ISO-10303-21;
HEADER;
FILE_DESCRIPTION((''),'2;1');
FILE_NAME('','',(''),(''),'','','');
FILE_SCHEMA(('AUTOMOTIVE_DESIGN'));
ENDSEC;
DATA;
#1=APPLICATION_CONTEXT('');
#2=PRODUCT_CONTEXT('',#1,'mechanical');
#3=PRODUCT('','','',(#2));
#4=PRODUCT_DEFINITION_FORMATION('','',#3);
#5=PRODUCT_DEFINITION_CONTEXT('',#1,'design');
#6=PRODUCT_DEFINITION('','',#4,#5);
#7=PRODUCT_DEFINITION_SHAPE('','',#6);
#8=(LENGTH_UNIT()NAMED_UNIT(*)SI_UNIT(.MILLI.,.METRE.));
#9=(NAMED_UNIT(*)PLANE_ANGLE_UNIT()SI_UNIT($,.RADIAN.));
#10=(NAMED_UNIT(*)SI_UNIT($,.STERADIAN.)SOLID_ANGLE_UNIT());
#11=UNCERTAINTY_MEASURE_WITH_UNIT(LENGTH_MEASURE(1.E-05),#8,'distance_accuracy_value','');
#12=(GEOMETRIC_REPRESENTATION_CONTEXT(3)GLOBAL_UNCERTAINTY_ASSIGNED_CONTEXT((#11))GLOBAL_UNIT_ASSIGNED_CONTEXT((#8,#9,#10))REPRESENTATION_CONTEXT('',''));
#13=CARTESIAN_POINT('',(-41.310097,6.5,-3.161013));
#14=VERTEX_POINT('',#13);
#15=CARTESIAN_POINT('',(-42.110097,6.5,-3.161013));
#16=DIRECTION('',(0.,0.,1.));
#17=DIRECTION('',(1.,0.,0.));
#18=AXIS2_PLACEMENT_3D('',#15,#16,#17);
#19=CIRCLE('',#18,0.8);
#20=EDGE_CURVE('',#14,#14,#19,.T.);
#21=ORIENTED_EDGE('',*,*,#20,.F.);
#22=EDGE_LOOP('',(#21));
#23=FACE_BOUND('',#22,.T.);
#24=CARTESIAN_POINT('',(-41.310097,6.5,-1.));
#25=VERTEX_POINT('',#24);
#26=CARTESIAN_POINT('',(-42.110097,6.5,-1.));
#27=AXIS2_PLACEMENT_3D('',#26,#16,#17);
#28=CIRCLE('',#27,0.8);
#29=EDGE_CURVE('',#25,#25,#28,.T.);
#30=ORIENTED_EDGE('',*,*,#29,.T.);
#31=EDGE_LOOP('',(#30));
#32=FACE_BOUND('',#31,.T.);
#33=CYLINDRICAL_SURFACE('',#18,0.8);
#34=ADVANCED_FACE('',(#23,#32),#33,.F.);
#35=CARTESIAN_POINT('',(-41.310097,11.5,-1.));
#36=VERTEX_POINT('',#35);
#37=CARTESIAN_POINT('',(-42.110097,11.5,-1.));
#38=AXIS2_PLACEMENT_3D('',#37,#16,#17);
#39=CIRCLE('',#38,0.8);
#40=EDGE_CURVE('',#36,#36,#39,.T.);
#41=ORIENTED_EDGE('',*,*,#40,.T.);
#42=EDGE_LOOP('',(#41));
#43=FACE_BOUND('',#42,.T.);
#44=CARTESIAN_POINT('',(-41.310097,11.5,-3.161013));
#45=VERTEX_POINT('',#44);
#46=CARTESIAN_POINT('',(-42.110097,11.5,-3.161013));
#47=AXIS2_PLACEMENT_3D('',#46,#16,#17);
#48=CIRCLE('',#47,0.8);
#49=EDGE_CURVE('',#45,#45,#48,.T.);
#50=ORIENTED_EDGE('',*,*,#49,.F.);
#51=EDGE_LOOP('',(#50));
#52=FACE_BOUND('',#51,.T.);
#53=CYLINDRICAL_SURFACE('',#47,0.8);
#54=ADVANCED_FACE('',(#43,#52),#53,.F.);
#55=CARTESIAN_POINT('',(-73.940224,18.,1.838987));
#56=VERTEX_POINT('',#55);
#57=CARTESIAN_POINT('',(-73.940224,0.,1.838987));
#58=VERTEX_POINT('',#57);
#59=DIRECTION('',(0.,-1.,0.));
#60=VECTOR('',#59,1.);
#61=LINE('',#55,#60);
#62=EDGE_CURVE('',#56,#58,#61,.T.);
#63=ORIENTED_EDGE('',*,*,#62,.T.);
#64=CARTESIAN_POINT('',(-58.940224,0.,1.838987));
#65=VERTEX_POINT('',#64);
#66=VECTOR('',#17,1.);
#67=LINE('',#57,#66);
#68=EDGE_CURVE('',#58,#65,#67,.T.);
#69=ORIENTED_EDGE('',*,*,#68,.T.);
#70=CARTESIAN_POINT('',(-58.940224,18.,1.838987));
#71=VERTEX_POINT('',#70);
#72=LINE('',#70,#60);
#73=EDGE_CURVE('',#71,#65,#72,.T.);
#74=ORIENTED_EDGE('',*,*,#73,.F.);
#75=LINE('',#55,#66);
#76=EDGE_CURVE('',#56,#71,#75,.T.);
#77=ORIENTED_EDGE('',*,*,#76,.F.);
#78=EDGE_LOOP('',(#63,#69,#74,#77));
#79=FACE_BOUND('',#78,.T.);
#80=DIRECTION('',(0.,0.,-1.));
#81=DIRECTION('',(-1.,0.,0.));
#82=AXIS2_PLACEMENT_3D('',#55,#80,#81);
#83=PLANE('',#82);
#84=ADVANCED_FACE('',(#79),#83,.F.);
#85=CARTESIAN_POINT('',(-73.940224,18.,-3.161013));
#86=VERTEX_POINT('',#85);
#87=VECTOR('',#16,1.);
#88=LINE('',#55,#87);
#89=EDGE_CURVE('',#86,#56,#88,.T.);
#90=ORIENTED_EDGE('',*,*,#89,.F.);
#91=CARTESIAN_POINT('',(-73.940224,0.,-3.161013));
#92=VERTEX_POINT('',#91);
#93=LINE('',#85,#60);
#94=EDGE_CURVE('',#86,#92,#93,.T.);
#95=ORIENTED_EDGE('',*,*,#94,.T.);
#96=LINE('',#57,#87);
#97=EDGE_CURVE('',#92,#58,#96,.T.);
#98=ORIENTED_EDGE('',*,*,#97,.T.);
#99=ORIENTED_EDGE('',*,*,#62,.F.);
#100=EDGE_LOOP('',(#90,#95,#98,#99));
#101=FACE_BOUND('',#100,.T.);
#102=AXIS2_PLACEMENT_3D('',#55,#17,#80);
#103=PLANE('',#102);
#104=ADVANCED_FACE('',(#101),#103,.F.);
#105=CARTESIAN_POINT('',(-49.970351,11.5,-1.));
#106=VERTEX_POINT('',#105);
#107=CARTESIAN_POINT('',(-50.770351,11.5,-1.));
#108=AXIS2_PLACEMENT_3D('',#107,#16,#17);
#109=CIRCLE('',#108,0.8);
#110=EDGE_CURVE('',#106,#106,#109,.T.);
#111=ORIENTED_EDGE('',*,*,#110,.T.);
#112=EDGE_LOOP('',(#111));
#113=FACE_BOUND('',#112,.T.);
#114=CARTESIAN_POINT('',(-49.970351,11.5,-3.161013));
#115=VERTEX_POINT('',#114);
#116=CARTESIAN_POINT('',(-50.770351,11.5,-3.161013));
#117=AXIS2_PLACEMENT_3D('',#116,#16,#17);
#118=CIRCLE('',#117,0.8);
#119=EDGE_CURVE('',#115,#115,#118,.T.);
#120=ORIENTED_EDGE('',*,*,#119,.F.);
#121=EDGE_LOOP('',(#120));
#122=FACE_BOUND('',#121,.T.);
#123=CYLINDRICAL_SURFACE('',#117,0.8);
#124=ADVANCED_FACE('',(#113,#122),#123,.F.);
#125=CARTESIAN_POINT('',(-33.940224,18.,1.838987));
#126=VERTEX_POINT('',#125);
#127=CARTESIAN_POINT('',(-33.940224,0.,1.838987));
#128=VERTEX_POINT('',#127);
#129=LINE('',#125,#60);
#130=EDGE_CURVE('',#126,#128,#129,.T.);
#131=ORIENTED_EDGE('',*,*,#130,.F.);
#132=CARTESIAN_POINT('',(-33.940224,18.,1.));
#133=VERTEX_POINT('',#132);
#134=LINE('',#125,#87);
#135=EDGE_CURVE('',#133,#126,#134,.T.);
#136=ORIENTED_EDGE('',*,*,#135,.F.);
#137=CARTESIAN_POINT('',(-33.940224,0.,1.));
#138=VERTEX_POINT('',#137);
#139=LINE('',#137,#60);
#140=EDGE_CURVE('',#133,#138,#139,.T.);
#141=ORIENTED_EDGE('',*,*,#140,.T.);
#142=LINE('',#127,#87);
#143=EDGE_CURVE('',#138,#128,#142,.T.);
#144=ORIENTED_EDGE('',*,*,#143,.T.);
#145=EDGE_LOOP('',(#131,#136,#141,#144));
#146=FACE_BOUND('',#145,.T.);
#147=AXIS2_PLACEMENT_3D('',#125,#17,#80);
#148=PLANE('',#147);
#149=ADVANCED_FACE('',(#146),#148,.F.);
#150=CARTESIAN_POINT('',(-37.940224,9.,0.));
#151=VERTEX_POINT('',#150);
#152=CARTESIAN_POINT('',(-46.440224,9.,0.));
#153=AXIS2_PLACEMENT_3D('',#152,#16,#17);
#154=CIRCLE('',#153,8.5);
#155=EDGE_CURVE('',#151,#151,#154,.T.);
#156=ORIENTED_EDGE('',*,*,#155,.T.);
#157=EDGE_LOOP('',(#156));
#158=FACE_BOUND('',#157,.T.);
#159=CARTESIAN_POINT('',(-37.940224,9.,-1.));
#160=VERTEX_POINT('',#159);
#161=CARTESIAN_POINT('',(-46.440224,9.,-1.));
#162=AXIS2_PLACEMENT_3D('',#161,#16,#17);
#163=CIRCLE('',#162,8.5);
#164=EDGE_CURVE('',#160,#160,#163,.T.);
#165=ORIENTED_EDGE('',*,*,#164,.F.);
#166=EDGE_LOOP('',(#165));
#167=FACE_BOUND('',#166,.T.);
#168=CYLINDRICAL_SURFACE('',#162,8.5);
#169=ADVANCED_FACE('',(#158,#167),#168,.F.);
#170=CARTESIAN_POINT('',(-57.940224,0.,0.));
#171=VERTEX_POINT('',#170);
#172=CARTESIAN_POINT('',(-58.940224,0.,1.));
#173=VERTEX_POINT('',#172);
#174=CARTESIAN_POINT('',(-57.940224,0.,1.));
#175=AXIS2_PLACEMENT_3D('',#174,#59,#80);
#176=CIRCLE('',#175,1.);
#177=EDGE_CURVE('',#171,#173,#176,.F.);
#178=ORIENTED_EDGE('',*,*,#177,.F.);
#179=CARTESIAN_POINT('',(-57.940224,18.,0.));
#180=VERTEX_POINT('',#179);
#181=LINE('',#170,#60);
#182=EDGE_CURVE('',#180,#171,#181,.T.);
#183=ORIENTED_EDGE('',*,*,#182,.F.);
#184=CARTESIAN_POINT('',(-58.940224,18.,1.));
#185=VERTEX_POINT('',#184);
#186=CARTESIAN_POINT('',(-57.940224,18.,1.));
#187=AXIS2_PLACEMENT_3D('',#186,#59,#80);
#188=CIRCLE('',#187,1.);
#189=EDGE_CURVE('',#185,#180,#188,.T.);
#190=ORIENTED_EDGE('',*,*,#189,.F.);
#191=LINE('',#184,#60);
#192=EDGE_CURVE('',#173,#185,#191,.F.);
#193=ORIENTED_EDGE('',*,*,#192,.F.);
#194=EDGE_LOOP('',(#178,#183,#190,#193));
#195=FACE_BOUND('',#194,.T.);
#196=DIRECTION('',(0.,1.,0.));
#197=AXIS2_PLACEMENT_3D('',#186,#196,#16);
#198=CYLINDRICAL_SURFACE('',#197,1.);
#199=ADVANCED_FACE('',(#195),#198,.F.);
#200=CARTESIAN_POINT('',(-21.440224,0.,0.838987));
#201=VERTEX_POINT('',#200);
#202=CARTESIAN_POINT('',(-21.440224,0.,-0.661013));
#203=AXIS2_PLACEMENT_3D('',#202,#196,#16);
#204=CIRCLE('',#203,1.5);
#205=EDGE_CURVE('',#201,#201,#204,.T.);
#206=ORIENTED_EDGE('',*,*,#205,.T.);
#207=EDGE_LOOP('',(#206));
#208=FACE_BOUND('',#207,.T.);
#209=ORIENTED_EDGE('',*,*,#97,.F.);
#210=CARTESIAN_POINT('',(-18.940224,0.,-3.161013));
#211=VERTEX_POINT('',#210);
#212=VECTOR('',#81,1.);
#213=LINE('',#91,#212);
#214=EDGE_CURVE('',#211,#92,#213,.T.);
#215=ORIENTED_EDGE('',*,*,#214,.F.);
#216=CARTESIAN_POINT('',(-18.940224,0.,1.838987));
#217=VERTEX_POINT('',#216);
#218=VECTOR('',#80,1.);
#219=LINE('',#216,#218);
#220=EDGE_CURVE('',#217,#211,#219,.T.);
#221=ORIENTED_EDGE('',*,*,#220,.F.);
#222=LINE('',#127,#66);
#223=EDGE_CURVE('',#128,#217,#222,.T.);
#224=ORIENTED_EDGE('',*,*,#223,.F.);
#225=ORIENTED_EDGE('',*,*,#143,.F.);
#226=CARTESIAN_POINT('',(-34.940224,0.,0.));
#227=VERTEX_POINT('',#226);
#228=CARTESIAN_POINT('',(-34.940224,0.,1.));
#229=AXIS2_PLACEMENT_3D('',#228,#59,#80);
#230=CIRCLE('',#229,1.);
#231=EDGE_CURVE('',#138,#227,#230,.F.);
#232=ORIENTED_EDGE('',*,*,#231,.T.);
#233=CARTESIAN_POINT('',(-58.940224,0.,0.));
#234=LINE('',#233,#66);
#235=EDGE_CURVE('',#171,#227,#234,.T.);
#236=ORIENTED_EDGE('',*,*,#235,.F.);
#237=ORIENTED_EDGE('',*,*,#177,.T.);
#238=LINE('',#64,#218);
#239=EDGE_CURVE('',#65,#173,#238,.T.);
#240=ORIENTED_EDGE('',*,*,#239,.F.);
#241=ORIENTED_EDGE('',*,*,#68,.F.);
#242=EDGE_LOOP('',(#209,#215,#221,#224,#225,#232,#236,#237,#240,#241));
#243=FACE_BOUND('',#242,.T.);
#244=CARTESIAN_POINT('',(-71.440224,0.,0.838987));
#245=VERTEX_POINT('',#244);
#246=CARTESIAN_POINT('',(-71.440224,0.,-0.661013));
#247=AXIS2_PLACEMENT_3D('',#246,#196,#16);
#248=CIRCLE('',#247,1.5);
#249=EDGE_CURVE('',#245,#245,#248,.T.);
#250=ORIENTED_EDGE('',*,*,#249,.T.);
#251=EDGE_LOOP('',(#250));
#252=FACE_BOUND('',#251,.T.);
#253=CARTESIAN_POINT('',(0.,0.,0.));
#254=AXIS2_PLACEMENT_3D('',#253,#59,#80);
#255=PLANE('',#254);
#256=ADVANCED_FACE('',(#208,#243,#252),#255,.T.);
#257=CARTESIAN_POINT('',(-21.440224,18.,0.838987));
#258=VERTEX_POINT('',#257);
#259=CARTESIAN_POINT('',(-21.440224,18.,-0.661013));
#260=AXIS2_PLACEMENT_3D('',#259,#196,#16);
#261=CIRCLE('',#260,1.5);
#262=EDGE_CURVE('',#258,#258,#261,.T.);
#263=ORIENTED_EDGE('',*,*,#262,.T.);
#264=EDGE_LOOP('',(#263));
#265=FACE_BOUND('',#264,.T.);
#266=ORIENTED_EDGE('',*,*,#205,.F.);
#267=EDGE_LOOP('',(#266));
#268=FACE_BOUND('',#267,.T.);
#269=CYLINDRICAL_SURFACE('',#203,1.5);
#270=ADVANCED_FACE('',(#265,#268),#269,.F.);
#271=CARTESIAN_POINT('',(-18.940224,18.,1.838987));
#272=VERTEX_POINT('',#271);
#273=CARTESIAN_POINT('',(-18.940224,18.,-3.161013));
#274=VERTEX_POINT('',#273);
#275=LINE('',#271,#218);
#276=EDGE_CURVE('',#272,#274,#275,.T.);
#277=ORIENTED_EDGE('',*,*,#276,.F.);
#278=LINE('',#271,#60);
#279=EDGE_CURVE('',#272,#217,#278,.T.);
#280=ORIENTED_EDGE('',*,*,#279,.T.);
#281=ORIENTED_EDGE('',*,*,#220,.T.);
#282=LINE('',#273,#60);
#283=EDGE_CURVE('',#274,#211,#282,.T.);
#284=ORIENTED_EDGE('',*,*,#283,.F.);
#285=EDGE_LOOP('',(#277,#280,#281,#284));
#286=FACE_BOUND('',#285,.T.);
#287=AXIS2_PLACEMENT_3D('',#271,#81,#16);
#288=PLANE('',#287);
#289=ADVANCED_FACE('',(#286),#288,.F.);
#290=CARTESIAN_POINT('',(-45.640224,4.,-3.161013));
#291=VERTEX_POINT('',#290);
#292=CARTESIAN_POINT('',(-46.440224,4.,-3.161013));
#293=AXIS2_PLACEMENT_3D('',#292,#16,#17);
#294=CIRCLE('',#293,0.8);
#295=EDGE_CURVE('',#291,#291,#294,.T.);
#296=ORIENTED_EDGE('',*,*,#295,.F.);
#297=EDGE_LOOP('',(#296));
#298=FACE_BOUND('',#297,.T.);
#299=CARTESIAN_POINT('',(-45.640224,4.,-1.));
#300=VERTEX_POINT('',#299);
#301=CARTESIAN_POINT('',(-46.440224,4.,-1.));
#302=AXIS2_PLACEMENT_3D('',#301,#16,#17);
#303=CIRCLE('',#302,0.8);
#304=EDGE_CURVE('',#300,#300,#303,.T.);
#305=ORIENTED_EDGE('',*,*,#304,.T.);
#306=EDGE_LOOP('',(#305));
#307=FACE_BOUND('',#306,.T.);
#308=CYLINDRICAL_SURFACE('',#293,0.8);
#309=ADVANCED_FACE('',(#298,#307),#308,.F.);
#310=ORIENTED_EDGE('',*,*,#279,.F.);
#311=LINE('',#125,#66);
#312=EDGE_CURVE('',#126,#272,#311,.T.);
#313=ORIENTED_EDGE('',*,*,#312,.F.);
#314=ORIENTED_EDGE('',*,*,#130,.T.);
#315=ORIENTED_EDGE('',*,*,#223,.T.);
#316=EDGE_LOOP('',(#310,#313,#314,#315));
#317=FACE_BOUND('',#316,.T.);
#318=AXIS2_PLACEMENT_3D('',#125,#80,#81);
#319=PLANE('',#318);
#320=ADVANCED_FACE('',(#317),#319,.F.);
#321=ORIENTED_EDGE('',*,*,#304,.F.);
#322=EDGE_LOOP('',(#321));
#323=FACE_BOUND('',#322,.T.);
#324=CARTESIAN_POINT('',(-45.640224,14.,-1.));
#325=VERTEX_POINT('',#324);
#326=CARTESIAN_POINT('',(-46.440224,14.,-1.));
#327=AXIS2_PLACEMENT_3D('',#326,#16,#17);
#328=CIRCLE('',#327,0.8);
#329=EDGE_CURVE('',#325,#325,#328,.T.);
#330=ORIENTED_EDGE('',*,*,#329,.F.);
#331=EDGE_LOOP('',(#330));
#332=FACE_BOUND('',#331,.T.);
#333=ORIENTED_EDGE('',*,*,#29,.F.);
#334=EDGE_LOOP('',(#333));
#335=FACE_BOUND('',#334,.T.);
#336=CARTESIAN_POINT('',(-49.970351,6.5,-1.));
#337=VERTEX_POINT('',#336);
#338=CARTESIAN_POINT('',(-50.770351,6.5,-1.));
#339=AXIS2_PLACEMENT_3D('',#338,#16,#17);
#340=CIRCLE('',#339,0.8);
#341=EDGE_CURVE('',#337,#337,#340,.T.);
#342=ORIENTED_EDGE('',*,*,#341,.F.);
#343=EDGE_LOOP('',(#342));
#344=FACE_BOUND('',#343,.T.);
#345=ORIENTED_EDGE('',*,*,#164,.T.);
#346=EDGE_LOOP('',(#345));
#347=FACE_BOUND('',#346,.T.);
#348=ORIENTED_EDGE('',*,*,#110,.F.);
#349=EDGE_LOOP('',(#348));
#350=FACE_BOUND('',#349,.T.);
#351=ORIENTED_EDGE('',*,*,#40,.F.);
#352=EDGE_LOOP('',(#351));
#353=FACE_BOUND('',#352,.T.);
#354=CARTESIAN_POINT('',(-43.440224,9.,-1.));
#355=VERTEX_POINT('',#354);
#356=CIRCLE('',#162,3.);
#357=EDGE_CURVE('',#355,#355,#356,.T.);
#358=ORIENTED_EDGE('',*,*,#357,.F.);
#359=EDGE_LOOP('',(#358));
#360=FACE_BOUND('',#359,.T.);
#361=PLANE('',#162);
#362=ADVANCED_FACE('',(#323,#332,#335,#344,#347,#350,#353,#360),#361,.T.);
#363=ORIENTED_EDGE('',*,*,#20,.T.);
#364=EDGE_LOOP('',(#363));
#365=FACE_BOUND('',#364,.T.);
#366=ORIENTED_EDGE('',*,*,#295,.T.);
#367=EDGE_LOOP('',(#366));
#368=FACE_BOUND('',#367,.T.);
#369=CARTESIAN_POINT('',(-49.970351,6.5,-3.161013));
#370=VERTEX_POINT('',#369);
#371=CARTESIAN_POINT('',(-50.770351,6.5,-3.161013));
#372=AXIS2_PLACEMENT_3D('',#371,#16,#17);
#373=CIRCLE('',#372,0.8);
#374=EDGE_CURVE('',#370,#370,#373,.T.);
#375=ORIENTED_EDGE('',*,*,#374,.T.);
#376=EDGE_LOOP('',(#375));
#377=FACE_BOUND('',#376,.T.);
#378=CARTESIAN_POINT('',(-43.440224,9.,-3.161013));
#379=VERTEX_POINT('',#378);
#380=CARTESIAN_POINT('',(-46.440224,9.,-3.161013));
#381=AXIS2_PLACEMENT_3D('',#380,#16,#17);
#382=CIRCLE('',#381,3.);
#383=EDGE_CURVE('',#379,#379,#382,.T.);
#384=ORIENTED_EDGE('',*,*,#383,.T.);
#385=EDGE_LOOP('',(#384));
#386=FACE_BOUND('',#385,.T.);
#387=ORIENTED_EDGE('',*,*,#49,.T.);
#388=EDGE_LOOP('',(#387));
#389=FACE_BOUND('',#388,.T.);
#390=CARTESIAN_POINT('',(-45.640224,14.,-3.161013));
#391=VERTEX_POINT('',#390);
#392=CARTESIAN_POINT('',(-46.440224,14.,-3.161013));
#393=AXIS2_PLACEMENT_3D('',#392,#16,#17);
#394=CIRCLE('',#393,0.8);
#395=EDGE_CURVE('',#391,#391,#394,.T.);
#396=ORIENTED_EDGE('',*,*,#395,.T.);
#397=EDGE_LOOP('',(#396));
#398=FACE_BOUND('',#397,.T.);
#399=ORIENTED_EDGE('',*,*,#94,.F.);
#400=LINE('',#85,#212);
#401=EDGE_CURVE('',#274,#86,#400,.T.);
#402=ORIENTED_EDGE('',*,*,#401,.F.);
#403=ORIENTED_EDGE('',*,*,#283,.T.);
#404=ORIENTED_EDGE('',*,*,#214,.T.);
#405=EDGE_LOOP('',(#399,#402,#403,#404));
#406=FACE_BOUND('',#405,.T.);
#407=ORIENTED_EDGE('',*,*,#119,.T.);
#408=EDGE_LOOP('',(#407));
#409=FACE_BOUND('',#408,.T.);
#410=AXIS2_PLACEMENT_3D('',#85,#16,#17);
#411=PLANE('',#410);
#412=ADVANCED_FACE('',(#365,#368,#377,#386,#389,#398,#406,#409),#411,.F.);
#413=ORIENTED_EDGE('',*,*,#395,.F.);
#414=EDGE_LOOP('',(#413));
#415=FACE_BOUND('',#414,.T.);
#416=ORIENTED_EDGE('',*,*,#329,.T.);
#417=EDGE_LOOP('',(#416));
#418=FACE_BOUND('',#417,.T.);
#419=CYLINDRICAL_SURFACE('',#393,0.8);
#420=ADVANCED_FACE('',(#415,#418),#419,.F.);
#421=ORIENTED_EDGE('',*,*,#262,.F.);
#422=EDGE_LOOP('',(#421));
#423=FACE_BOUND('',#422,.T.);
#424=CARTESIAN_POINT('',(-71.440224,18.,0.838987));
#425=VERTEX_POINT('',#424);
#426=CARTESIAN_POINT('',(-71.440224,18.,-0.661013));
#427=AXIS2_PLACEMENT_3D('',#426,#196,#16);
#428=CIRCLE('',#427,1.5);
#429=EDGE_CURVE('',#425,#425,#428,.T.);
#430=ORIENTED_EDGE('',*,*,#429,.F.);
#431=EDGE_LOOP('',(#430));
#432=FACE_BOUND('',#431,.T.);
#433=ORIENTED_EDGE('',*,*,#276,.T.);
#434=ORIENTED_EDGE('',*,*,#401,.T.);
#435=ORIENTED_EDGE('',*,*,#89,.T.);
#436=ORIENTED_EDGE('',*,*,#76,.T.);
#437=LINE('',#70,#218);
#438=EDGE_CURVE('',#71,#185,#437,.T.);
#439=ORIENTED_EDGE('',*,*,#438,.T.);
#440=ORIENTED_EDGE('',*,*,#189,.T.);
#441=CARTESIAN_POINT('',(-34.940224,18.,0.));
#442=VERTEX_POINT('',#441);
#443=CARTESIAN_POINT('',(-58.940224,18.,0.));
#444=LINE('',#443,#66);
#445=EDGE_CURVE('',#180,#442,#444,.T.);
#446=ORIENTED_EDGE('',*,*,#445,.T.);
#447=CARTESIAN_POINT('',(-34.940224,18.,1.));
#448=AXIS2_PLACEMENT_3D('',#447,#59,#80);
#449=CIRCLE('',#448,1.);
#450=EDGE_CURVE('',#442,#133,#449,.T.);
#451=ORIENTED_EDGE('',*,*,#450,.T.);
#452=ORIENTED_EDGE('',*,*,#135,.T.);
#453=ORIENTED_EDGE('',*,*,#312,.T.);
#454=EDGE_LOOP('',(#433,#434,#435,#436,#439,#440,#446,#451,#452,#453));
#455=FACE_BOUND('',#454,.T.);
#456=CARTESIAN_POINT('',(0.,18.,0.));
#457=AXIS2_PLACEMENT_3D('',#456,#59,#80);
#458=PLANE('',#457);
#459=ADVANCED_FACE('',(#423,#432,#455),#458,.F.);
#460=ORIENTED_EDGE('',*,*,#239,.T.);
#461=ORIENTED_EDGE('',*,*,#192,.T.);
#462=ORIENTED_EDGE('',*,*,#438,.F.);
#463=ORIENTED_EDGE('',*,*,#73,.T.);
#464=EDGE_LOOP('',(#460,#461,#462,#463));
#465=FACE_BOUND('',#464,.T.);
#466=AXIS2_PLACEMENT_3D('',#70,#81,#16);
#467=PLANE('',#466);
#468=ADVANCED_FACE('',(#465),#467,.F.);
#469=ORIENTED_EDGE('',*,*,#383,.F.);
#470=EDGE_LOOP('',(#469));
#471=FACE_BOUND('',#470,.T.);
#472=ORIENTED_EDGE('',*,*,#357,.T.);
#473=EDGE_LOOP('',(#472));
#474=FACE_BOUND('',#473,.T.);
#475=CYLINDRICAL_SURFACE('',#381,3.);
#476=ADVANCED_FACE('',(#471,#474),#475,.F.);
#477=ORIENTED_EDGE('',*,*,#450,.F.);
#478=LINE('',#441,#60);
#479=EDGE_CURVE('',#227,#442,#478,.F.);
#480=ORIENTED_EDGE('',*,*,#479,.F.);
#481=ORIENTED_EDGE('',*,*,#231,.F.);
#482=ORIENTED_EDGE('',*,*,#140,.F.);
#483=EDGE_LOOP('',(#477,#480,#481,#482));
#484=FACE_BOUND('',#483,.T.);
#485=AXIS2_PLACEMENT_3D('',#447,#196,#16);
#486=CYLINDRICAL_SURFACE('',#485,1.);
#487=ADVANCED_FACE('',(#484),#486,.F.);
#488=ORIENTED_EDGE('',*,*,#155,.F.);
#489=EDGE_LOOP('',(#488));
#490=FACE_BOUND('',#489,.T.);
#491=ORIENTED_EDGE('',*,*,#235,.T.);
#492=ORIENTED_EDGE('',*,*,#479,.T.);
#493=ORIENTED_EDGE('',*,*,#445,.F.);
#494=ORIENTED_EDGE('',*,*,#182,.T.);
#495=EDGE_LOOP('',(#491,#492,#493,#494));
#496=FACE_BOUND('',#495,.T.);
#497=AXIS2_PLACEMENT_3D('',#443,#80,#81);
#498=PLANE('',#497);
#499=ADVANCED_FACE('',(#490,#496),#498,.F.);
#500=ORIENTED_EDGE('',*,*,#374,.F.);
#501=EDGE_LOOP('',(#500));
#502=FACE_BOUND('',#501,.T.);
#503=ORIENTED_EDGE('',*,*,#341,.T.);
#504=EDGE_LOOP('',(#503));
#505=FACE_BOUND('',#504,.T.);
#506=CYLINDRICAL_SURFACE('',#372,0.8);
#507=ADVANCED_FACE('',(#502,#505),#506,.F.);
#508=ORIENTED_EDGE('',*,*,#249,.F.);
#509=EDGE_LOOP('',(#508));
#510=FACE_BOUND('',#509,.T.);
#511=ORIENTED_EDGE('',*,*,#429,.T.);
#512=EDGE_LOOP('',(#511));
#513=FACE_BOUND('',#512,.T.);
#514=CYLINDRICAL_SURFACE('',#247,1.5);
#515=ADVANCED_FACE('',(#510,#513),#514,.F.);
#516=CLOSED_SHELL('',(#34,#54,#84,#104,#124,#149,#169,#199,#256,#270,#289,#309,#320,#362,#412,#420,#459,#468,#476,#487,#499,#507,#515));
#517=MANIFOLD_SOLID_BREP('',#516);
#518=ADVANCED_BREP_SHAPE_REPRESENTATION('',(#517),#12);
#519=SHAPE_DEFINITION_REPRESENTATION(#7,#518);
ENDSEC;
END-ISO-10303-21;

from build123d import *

# Parameters (mm, degrees)
BOSS_EXTRUDE1_DEPTH = 18
SKETCH9_R           = 8.5
CUT_EXTRUDE6_DEPTH  = 1
SKETCH10_R          = 3
CUT_EXTRUDE7_DEPTH  = 3.161013299
SKETCH11_R          = 0.8
CUT_EXTRUDE8_DEPTH  = 3.161013299
FILLET1_R           = 1
SKETCH13_R          = 1.5
CUT_EXTRUDE10_DEPTH = 19


with BuildPart() as part:
    # Sketch2 → Boss-Extrude1 (new body)
    with BuildSketch(Plane(origin=(0, 0, 0), x_dir=(1, 0, 0), z_dir=(0, 1, 0))):
        Polygon((-33.940224132, -1.838986701), (-18.940224132, -1.838986701), (-18.940224132, 3.161013299), (-73.940224132, 3.161013299), (-73.940224132, -1.838986701), (-58.940224132, -1.838986701), (-58.940224132, 0), (-33.940224132, 0), align=None)
    extrude(amount=BOSS_EXTRUDE1_DEPTH)

    # Sketch9 → Cut-Extrude6 (cut)
    with BuildSketch(Plane.XY):
        with Locations((-46.440224132, 9)):
            Circle(SKETCH9_R)
    extrude(amount=-CUT_EXTRUDE6_DEPTH, mode=Mode.SUBTRACT)

    # Sketch10 → Cut-Extrude7 (cut, through all)
    with BuildSketch(Plane.XY.offset(-1)):
        with Locations((-46.440224132, 9)):
            Circle(SKETCH10_R)
    extrude(amount=-CUT_EXTRUDE7_DEPTH, mode=Mode.SUBTRACT)

    # Sketch11 → Cut-Extrude8 (cut, through all)
    with BuildSketch(Plane.XY.offset(-1)):
        with Locations((-42.110097113, 11.5)):
            Circle(SKETCH11_R)
        with Locations((-42.110097113, 6.5)):
            Circle(SKETCH11_R)
        with Locations((-46.440224132, 14)):
            Circle(SKETCH11_R)
        with Locations((-46.440224132, 4)):
            Circle(SKETCH11_R)
        with Locations((-50.770351151, 11.5)):
            Circle(SKETCH11_R)
        with Locations((-50.770351151, 6.5)):
            Circle(SKETCH11_R)
    extrude(amount=-CUT_EXTRUDE8_DEPTH, mode=Mode.SUBTRACT)

    # Fillet1
    fillet1_edges = [part.edges().sort_by_distance(p)[0] for p in [
        (-33.940224132, 9, 0),
        (-58.940224132, 9, 0),
    ]]
    fillet(fillet1_edges, radius=FILLET1_R)

    # Sketch13 → Cut-Extrude10 (cut, through all)
    with BuildSketch(Plane(origin=(0, 18, 0), x_dir=(1, 0, 0), z_dir=(0, 1, 0))):
        with Locations((-71.440224132, 0.661013299)):
            Circle(SKETCH13_R)
        with Locations((-21.440224132, 0.661013299)):
            Circle(SKETCH13_R)
    extrude(amount=-CUT_EXTRUDE10_DEPTH, mode=Mode.SUBTRACT)


solid = part.part
